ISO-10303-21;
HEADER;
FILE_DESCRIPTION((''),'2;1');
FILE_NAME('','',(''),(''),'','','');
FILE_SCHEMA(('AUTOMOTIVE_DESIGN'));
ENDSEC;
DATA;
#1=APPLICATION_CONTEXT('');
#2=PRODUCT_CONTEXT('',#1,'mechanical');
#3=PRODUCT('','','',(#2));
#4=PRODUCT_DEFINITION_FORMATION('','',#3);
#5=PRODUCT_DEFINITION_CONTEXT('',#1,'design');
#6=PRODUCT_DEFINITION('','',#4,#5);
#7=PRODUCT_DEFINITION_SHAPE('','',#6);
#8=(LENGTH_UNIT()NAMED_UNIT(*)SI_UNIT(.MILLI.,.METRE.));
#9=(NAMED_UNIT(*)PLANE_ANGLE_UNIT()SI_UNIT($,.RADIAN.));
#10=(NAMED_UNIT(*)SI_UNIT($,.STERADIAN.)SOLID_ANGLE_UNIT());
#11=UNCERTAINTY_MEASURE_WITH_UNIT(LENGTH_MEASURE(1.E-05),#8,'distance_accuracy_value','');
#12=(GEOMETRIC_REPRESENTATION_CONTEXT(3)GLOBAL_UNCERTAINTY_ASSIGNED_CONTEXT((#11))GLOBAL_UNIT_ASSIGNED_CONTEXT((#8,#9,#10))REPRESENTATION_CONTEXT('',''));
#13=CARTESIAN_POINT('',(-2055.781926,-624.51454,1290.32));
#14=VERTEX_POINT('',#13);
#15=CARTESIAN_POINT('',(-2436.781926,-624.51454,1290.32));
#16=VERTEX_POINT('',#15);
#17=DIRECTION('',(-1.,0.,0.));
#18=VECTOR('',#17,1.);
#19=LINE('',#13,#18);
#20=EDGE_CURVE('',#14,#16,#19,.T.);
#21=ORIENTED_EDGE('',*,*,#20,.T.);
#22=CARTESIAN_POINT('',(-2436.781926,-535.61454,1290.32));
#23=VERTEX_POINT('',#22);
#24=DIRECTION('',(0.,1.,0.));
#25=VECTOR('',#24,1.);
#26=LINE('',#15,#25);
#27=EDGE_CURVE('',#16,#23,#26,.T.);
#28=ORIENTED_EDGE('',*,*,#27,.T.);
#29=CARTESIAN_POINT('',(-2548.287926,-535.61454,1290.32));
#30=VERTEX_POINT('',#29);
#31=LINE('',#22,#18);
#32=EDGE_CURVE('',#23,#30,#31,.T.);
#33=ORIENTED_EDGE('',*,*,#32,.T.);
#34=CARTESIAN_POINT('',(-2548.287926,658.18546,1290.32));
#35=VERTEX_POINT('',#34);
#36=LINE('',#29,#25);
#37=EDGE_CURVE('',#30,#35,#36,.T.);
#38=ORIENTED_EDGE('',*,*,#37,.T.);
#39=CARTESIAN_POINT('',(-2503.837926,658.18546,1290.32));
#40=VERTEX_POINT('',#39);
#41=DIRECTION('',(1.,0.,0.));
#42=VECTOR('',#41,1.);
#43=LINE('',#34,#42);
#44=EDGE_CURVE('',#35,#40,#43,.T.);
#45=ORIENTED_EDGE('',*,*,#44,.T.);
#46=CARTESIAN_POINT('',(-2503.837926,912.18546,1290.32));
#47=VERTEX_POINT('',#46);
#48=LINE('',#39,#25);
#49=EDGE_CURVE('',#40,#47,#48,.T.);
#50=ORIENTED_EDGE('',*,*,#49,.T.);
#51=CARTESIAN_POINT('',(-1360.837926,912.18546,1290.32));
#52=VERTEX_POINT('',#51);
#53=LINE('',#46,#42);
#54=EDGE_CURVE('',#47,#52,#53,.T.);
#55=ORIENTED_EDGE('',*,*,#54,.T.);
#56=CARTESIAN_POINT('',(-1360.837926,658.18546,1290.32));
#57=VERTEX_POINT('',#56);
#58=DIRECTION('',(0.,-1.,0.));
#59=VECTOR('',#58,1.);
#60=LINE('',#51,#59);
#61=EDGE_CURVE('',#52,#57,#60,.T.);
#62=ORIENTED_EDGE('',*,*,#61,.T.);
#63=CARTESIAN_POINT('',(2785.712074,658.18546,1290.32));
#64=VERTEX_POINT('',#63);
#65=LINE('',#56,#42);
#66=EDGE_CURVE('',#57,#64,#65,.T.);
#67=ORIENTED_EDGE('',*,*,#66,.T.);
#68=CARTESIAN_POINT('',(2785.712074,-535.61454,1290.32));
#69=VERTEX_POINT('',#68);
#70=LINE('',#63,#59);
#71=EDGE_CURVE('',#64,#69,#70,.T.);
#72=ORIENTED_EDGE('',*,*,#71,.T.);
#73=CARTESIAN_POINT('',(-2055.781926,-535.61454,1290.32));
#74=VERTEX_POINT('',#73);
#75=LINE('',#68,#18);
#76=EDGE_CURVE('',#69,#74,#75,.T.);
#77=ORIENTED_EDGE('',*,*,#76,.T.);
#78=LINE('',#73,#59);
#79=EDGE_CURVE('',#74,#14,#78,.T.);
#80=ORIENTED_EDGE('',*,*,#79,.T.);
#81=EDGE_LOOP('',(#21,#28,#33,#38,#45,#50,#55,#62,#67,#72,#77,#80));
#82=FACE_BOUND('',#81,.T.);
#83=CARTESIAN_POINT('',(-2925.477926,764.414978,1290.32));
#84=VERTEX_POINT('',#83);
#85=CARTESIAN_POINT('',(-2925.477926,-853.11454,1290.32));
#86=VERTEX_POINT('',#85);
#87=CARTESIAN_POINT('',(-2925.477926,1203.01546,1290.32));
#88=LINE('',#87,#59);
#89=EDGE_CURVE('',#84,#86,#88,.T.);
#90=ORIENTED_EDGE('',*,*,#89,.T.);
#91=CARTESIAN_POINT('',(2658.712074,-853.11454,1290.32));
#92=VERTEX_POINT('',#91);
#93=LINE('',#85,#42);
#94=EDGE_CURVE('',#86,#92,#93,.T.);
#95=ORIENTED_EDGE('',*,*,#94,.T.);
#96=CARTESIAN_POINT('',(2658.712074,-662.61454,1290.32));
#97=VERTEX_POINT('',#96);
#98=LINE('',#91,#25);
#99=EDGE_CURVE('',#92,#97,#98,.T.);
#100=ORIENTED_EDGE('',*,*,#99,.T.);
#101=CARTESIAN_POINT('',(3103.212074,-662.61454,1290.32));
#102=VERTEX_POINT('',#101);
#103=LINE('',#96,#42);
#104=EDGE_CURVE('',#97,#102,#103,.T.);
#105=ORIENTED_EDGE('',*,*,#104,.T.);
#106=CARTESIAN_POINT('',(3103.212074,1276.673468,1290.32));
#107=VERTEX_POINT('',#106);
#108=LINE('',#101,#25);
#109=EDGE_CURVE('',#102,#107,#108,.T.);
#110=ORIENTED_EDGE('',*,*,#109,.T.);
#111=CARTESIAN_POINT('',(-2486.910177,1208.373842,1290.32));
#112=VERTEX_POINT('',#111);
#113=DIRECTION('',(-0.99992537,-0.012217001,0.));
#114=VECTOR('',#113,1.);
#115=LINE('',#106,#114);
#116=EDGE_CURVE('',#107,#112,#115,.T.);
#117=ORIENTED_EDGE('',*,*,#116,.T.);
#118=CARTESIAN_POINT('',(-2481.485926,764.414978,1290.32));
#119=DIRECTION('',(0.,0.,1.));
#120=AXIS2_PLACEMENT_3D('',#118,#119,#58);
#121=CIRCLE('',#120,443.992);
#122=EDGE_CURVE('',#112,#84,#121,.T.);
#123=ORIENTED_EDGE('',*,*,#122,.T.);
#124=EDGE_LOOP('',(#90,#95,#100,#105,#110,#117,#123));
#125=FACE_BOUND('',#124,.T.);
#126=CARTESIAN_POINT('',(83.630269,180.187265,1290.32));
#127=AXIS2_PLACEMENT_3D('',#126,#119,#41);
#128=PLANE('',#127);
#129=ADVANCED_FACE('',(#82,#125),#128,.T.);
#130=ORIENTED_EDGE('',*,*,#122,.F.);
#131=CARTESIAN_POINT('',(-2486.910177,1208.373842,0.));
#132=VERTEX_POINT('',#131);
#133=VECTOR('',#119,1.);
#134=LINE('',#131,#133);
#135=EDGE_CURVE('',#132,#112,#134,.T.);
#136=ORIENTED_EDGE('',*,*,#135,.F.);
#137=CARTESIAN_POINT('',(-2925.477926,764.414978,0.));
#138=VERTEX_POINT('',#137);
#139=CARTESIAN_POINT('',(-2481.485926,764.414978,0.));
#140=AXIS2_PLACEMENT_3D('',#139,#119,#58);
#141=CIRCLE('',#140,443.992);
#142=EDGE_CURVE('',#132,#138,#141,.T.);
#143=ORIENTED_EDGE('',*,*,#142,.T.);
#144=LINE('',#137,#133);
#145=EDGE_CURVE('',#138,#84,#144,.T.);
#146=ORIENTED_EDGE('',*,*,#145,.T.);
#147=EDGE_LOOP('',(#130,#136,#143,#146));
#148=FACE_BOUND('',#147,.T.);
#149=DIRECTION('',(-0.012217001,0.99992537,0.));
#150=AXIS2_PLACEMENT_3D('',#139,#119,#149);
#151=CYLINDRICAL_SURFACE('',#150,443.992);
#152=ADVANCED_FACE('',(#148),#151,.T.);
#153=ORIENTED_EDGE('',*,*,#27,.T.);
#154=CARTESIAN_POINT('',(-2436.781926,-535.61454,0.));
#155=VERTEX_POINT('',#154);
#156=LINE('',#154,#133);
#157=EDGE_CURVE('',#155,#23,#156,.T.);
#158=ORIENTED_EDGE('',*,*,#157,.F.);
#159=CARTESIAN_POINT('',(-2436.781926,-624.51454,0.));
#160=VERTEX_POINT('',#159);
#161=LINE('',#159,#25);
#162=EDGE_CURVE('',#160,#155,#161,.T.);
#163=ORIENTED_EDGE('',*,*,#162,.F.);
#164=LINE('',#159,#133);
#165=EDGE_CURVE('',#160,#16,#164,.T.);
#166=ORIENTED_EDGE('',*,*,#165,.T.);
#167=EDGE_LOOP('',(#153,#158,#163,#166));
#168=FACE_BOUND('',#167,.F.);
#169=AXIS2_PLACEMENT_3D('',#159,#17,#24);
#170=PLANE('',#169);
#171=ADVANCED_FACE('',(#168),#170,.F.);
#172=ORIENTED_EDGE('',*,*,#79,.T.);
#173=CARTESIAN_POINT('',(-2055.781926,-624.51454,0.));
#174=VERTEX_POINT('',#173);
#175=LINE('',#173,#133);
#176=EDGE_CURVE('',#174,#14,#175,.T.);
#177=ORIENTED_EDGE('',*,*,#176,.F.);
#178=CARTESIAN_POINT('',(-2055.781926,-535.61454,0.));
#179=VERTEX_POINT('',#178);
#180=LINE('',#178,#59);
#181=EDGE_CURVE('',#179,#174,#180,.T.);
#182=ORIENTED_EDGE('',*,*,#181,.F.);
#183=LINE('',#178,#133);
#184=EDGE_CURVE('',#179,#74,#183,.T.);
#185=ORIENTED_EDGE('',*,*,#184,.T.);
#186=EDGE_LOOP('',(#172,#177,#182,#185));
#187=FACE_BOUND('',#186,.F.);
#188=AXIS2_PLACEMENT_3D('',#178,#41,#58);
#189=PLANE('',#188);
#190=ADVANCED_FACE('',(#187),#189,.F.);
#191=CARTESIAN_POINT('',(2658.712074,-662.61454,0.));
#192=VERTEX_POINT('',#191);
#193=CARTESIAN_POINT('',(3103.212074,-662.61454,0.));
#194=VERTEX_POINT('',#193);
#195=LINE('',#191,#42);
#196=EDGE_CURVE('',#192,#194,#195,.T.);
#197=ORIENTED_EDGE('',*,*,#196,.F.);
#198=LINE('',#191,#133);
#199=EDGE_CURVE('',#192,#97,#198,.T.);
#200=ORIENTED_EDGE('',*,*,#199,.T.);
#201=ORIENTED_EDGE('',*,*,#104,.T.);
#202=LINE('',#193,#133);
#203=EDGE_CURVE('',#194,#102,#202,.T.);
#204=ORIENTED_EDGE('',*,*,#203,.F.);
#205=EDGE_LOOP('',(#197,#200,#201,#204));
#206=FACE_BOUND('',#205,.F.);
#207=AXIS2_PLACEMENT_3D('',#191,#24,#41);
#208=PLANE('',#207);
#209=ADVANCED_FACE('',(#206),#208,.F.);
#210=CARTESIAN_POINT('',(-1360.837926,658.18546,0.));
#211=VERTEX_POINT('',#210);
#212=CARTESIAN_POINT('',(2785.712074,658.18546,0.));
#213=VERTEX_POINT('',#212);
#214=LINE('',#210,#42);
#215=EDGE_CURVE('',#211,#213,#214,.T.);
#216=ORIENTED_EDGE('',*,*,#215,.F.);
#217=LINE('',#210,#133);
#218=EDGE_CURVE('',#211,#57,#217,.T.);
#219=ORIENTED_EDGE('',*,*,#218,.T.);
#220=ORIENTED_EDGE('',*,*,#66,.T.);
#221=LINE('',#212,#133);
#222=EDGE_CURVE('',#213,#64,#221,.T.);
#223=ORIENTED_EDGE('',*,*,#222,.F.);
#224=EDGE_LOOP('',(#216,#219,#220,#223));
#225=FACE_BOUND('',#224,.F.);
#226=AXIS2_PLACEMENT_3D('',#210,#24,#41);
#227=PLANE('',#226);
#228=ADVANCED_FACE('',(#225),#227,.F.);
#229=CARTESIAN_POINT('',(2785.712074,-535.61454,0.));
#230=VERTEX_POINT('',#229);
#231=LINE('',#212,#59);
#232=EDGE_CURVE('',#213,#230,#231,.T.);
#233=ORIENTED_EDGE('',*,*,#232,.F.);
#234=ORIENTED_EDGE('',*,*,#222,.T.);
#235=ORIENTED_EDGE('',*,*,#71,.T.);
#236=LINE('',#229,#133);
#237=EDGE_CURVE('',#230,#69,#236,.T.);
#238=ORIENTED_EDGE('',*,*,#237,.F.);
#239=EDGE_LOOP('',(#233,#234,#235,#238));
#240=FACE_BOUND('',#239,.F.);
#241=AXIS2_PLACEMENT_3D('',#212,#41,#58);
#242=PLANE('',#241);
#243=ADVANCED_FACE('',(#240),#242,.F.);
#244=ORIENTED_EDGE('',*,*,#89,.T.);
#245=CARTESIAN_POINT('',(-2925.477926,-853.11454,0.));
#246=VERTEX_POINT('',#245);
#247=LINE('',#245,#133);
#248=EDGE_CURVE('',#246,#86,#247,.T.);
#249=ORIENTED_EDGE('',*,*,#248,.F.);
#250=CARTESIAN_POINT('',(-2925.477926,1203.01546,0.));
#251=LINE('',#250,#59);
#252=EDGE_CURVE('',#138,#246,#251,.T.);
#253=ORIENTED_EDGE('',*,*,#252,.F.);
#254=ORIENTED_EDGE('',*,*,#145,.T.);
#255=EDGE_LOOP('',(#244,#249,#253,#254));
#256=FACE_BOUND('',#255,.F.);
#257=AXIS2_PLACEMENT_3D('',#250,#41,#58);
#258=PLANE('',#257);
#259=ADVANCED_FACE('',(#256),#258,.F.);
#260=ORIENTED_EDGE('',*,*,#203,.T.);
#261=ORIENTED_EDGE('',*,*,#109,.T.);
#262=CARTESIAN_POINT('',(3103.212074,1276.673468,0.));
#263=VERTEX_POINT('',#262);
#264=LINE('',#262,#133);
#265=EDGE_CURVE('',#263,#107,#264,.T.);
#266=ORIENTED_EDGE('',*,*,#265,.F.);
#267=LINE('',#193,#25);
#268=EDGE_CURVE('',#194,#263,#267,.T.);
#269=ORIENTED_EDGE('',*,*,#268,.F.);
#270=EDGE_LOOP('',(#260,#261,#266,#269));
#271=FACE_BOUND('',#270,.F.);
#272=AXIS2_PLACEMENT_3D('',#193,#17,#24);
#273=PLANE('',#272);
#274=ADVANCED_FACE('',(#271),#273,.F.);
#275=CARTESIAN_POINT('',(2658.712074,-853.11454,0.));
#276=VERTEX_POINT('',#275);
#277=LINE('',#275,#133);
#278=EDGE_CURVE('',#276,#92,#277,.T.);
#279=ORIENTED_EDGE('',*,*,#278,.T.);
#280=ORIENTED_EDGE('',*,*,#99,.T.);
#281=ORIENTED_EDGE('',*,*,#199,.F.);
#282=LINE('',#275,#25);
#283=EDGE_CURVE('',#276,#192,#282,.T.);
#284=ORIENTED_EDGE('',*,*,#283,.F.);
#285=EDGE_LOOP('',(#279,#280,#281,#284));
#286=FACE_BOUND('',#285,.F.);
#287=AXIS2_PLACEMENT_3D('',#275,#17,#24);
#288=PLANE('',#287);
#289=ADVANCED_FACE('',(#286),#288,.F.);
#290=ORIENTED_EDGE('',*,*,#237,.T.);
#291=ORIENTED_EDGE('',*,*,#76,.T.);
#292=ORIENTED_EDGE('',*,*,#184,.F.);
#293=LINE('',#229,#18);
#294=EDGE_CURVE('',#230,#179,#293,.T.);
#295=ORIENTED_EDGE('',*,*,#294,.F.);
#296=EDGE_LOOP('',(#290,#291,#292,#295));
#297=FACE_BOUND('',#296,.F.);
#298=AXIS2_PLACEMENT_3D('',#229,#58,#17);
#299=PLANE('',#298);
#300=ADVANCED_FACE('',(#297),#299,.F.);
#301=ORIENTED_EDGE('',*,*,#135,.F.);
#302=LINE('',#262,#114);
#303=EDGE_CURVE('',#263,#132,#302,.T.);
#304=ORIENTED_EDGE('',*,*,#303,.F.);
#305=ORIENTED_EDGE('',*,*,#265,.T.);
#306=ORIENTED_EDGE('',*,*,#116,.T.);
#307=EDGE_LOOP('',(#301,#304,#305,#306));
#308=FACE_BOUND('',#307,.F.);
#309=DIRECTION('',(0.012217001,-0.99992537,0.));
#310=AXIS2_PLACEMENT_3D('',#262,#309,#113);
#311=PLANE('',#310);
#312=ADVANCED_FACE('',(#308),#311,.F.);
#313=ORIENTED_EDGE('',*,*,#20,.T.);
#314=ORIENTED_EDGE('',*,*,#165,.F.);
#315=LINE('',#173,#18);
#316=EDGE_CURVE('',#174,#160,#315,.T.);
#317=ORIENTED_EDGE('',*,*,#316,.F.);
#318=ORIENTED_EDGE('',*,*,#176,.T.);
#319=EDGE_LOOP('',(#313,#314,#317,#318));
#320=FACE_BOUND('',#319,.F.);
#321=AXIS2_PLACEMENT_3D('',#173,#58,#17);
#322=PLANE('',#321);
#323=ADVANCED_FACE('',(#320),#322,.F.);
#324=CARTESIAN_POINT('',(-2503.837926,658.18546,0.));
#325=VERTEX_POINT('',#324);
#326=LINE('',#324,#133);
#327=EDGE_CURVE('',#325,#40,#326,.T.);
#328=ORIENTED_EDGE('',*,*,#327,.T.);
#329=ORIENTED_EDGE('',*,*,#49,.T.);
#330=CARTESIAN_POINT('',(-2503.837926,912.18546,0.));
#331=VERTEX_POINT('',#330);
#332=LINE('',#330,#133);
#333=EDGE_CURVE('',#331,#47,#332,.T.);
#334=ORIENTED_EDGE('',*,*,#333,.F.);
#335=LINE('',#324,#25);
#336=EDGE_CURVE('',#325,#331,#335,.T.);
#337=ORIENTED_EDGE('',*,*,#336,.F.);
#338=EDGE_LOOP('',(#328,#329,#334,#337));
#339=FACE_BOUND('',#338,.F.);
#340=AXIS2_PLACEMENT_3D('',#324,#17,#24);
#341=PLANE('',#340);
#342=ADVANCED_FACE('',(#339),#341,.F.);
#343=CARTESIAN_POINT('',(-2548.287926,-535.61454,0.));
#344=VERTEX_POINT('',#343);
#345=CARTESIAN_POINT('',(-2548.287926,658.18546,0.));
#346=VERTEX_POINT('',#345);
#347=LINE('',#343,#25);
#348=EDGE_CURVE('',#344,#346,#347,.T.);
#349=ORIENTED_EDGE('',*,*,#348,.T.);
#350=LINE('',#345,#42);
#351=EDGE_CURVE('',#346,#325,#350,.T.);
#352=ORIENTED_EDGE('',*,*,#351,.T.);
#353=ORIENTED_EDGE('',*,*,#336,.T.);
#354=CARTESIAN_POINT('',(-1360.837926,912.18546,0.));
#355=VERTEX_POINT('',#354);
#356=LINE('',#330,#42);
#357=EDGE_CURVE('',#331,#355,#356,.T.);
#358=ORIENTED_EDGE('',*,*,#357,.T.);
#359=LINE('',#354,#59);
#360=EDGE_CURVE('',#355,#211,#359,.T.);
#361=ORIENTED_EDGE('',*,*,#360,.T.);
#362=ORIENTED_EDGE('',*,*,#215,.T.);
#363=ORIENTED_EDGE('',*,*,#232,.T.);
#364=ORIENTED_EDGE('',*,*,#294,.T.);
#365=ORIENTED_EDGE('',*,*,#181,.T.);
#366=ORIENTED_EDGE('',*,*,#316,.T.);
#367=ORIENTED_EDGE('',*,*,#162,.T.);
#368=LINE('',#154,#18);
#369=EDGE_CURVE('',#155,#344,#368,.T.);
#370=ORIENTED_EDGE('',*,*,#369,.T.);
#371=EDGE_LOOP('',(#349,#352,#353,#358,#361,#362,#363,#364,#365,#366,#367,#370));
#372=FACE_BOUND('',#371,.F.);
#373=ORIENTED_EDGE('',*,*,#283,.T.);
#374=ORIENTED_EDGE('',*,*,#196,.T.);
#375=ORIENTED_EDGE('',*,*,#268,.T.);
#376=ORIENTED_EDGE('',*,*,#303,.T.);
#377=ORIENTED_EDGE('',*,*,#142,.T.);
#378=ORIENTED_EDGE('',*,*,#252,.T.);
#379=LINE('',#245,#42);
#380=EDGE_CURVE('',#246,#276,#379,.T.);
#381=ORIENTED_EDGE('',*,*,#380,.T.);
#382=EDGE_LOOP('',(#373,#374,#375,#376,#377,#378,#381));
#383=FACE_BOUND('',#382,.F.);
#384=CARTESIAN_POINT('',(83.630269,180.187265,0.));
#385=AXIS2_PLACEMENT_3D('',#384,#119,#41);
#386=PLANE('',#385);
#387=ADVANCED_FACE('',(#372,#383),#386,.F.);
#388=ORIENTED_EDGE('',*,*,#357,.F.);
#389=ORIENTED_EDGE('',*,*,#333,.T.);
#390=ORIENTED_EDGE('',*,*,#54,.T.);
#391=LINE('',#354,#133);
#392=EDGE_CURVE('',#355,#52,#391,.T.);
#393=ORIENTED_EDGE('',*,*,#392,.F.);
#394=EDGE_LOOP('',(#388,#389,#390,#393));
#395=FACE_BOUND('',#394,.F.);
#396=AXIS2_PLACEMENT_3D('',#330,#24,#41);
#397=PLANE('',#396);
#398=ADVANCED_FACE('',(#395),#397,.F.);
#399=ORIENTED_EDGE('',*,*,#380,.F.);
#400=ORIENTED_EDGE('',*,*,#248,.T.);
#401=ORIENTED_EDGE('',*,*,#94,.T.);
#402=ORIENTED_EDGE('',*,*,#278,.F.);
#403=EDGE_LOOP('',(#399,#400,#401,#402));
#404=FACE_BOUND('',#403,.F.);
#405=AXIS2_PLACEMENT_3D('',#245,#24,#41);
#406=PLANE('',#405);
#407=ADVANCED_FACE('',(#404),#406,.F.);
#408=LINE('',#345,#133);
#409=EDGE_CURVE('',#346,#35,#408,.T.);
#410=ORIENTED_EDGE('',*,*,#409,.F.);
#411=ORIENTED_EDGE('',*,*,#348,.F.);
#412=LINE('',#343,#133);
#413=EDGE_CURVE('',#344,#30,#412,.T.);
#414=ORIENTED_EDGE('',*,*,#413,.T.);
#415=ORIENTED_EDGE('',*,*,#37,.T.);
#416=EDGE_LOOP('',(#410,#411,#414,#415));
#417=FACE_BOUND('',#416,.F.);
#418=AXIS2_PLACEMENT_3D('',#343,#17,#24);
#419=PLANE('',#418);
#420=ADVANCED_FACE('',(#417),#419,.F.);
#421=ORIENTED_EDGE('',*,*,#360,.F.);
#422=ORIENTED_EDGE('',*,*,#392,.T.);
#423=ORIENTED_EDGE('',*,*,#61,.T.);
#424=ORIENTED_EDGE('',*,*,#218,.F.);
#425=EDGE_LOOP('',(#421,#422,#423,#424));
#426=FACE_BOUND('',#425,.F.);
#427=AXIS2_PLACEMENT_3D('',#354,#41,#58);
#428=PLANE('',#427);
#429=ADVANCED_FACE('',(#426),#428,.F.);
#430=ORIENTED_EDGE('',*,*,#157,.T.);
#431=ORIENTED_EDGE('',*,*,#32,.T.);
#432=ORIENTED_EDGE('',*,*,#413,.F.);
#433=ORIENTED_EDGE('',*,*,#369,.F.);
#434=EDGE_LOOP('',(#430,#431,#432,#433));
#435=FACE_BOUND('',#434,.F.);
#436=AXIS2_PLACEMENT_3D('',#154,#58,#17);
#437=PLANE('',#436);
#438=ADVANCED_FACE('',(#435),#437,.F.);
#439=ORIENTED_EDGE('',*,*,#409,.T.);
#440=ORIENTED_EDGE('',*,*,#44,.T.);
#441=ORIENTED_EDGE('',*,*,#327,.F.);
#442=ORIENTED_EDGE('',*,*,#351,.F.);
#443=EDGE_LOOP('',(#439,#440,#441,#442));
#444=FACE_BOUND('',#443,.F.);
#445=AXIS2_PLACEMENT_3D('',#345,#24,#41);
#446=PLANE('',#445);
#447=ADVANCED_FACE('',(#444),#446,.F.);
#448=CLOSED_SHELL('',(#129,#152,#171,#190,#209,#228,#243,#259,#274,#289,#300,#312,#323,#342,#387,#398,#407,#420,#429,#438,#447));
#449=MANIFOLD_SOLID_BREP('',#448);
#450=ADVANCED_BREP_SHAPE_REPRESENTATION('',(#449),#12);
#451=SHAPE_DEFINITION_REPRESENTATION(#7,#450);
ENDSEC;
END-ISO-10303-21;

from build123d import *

# Parameters (mm, degrees)
F1_DEPTH = 1290.32
F2_R     = 443.992


with BuildPart() as f1:
    # F0 (on Top) → F1 (new body)
    with BuildSketch(Plane.XY):
        Polygon((3103.212074, -662.61454), (3103.212074, 1203.01546), (-2925.477926, 1203.01546), (-2925.477926, -853.11454), (2658.712074, -853.11454), (2658.712074, -662.61454), align=None)
        Polygon((-2436.781926, -535.61454), (-2548.287926, -535.61454), (-2548.287926, 658.18546), (-2503.837926, 658.18546), (-2503.837926, 912.18546), (-1360.837926, 912.18546), (-1360.837926, 658.18546), (2785.712074, 658.18546), (2785.712074, -27.61454), (2785.712074, -535.61454), (-1849.787926, -535.61454), (-2055.781926, -535.61454), (-2055.781926, -624.51454), (-2436.781926, -624.51454), align=None, mode=Mode.SUBTRACT)
        Polygon((-2925.477926, 1203.01546), (3103.212074, 1203.01546), (3103.212074, 1276.673468), align=None)
    extrude(amount=F1_DEPTH)

    # F2
    f2_edges = [f1.edges().sort_by_distance(p)[0] for p in [
        (-2925.477926, 1203.01546, 645.16),
    ]]
    fillet(f2_edges, radius=F2_R)


solid = f1.part
